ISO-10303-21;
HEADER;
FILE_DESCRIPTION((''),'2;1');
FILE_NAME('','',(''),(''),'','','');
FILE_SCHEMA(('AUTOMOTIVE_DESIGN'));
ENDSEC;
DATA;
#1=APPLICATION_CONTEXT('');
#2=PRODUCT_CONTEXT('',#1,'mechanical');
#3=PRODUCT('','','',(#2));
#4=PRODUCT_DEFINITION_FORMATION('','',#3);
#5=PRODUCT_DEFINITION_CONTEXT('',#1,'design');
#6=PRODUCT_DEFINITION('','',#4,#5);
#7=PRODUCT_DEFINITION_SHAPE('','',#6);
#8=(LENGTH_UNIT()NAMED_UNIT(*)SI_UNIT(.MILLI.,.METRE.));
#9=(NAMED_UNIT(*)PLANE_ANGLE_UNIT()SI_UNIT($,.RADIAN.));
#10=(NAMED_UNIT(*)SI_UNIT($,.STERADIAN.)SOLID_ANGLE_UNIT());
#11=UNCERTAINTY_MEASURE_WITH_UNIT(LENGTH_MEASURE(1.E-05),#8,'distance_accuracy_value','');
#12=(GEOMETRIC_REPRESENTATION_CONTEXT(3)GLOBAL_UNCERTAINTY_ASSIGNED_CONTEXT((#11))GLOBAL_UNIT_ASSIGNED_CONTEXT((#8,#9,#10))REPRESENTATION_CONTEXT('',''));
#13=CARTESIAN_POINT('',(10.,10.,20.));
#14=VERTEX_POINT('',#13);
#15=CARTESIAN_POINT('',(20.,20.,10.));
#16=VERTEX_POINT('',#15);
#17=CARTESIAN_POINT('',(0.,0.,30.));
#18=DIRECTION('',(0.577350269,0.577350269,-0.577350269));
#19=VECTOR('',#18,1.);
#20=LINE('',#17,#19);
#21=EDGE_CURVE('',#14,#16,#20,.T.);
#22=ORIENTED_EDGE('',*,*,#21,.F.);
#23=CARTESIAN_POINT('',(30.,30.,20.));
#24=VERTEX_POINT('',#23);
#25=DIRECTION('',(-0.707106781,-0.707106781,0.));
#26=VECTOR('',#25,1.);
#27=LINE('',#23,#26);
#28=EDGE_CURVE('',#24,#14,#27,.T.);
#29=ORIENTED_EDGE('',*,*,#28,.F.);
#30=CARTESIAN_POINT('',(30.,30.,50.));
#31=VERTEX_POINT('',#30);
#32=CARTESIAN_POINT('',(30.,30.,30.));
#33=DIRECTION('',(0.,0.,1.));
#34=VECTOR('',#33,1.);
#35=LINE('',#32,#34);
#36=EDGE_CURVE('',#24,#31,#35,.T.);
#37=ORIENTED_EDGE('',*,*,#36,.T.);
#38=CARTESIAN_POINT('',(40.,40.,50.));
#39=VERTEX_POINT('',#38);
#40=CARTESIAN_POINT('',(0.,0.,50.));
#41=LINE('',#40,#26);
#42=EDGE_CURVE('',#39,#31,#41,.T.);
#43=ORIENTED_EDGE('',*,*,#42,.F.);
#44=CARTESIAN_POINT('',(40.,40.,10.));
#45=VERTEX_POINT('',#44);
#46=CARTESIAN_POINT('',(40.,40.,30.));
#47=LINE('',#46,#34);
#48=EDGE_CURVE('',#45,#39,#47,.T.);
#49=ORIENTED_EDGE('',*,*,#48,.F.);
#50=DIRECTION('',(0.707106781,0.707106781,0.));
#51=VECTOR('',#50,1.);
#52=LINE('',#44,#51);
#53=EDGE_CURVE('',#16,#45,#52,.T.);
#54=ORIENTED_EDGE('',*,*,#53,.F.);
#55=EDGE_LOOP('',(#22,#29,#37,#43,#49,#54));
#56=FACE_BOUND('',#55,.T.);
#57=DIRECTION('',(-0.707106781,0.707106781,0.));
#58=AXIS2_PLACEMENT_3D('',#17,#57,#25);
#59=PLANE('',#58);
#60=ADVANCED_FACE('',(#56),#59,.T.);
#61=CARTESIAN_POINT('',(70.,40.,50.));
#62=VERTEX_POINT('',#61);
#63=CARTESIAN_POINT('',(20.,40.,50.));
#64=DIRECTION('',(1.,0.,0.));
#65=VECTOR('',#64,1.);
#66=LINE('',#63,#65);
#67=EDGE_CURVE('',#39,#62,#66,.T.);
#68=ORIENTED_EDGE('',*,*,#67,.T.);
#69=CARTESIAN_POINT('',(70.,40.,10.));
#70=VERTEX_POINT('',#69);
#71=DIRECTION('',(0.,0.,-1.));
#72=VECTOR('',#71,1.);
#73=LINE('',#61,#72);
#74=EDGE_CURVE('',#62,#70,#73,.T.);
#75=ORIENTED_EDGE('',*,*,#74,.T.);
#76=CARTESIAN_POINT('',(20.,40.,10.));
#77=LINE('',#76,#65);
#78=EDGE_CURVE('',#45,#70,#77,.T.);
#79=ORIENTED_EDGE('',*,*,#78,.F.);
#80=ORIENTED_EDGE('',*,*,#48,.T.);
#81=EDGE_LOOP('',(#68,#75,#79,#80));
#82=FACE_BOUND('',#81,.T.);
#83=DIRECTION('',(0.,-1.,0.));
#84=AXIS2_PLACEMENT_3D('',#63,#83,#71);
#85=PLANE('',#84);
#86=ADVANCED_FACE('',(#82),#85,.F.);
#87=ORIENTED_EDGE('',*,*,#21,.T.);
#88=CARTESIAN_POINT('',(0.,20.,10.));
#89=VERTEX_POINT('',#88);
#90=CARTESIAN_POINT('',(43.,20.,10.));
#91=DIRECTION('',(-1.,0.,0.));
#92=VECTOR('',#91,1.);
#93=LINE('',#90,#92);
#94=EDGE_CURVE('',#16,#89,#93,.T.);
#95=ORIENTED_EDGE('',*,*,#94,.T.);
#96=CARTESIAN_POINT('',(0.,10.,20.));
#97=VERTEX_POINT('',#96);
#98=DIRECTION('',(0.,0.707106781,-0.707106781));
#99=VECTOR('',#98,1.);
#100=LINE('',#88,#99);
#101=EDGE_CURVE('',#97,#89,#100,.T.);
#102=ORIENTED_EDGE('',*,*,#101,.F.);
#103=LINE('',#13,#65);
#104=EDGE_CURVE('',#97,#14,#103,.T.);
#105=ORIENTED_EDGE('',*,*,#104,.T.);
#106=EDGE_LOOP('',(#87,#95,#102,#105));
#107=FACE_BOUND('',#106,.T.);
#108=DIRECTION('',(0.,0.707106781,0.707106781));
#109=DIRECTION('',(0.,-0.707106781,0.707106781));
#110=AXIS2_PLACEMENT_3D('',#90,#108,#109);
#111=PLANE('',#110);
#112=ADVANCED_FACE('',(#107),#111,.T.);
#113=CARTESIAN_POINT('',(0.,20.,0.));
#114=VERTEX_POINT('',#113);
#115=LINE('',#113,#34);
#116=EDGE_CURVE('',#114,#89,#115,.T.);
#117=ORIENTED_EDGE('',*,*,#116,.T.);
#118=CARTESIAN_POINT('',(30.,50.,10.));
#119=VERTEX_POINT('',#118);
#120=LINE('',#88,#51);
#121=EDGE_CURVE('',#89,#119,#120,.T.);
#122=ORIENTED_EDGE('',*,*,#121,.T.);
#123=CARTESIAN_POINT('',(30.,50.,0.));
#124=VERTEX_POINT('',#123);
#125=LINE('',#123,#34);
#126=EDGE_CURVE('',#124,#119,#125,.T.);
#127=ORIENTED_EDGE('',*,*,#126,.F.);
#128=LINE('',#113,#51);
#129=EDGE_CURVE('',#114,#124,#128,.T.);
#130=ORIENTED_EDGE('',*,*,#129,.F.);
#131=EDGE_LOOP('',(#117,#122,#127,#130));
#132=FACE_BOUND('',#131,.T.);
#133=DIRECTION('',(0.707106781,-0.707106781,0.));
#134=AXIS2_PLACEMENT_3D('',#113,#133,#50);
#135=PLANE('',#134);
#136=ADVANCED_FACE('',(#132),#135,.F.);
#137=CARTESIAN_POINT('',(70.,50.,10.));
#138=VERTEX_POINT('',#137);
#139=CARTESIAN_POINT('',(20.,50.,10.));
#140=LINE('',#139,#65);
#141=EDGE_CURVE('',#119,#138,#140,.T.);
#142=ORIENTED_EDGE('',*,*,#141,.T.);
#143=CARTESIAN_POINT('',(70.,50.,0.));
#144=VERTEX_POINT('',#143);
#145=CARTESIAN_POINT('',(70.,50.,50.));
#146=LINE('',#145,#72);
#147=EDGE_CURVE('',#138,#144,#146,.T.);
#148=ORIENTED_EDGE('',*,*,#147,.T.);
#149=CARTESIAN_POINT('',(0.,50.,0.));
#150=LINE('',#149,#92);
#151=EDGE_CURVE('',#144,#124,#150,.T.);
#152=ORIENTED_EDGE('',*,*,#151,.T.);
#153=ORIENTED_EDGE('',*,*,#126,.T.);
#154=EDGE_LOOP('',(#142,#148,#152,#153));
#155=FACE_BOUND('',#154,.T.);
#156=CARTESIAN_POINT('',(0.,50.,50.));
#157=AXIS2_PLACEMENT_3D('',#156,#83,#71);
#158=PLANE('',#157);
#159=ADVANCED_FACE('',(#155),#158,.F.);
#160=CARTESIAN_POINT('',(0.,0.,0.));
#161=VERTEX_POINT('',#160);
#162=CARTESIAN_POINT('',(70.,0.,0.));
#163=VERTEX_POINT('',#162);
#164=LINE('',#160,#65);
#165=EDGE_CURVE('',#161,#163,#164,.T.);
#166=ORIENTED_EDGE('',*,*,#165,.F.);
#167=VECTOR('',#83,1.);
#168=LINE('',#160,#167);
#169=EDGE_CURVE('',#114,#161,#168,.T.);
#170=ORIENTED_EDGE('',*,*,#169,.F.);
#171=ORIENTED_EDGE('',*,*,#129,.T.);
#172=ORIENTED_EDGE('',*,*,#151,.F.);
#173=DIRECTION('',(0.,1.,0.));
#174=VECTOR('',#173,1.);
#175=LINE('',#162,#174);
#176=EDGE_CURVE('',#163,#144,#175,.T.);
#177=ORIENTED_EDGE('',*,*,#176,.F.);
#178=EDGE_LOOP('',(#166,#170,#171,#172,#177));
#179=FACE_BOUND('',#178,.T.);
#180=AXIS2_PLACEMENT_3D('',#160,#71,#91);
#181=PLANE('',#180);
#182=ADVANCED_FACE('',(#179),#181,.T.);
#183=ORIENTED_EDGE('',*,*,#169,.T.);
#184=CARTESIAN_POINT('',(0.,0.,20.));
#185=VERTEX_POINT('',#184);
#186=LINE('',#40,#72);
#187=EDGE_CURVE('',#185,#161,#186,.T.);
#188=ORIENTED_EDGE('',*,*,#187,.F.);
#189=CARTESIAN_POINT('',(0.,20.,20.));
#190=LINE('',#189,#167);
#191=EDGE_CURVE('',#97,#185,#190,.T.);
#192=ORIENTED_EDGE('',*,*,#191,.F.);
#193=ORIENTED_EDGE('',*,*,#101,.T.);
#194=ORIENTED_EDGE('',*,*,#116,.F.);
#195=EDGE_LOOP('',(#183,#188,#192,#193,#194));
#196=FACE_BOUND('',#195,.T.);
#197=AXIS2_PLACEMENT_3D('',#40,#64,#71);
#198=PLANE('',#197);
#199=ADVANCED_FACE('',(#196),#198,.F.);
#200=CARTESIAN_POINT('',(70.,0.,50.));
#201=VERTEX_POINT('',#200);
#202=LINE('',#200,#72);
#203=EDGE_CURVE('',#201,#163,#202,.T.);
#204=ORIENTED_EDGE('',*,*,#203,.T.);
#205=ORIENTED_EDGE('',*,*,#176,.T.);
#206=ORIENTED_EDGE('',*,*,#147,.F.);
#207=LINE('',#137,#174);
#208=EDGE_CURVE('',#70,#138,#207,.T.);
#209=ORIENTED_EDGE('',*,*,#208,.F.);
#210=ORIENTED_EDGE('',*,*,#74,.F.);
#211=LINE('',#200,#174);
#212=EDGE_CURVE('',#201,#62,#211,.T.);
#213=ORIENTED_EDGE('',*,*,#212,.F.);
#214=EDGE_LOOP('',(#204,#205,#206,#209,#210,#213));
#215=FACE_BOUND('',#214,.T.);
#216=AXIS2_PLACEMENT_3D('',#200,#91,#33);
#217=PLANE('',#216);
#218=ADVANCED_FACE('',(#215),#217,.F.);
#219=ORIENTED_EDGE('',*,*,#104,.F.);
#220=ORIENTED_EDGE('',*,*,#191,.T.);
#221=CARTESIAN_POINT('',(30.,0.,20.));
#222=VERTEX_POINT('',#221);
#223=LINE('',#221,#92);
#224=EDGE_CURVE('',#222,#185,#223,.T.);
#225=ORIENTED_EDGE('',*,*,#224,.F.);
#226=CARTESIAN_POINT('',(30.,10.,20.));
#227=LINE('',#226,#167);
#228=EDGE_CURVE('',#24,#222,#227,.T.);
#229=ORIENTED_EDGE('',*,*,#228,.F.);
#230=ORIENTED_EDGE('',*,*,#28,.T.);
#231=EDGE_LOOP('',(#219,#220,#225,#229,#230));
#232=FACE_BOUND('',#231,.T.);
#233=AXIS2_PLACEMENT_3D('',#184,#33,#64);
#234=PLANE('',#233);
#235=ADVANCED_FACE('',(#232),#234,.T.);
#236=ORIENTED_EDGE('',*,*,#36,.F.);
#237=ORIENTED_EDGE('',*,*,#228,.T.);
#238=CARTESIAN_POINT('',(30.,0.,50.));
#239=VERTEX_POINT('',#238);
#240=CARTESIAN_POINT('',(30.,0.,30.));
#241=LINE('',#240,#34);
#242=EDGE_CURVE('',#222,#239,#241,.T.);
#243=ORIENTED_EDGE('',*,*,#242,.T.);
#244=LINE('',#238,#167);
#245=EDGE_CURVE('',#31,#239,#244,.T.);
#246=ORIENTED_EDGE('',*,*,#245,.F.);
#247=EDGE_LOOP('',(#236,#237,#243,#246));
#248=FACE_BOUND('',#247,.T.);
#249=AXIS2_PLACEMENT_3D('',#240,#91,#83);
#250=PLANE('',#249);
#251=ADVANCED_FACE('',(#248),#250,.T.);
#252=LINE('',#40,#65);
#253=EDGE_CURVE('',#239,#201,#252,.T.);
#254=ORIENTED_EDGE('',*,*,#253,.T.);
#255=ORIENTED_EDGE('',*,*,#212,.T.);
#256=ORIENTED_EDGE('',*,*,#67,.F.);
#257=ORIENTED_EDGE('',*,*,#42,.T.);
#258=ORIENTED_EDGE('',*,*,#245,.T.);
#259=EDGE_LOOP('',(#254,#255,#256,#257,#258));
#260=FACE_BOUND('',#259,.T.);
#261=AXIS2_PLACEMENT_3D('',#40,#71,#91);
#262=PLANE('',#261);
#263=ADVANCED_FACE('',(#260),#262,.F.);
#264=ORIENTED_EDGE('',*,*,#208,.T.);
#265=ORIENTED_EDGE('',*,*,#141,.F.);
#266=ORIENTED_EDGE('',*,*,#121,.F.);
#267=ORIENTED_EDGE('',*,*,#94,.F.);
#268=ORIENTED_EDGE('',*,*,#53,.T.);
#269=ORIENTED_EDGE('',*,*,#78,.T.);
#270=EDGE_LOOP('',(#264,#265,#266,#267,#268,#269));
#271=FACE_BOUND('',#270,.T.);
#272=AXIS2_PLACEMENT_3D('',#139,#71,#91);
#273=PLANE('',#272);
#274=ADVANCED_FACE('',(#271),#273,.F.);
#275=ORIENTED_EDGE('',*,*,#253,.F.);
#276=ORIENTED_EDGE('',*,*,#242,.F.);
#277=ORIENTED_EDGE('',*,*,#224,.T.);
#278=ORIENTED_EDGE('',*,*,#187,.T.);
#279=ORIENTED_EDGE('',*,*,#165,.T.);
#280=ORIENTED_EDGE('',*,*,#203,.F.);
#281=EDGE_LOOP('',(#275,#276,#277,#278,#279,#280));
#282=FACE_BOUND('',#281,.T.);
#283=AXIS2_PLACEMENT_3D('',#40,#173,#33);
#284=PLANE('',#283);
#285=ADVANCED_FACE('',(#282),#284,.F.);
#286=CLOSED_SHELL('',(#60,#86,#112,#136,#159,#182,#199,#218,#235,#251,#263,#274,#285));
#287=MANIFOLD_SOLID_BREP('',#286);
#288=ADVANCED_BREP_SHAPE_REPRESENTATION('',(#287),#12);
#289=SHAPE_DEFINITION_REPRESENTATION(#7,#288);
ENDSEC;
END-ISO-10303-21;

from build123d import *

# Parameters (mm, degrees)
SKETCH1_W           = 70
SKETCH1_H           = 50
BOSS_EXTRUDE1_DEPTH = 50
CUT_EXTRUDE1_DEPTH  = 50
SKETCH3_W           = 40
SKETCH3_H           = 10
CUT_EXTRUDE2_DEPTH  = 50
CUT_EXTRUDE3_DEPTH  = 20
CUT_EXTRUDE4_DEPTH  = 10
CUT_EXTRUDE6_DEPTH  = 30
CUT_EXTRUDE7_DEPTH  = 30
CUT_EXTRUDE9_DEPTH  = 10
BOSS_EXTRUDE2_DEPTH = 43
CUT_EXTRUDE10_DEPTH = 10


with BuildPart() as part:
    # Sketch1 → Boss-Extrude1 (new body)
    with BuildSketch(Plane.XY):
        with Locations((35, 25)):
            Rectangle(SKETCH1_W, SKETCH1_H)
    extrude(amount=BOSS_EXTRUDE1_DEPTH)

    # Sketch2 → Cut-Extrude1 (cut)
    with BuildSketch(Plane.XY.offset(50)):
        Polygon((0, 20), (30, 50), (0, 50), align=None)
    extrude(amount=-CUT_EXTRUDE1_DEPTH, mode=Mode.SUBTRACT)

    # Sketch3 → Cut-Extrude2 (cut)
    with BuildSketch(Plane(origin=(70, 0, 0), x_dir=(0, 0, -1), z_dir=(1, 0, 0))):
        with Locations((-30, 45)):
            Rectangle(SKETCH3_W, SKETCH3_H)
    extrude(amount=-CUT_EXTRUDE2_DEPTH, mode=Mode.SUBTRACT)

    # Sketch4 → Cut-Extrude3 (cut)
    with BuildSketch(Plane.XY.offset(50)):
        Polygon((30, 30), (40, 40), (20, 40), (0, 20), (0, 0), (30, 0), align=None)
    extrude(amount=-CUT_EXTRUDE3_DEPTH, mode=Mode.SUBTRACT)

    # Sketch5 → Cut-Extrude4 (cut)
    with BuildSketch(Plane.XY.offset(30)):
        Polygon((0, 10), (10, 10), (40, 40), (20, 40), (0, 20), align=None)
    extrude(amount=-CUT_EXTRUDE4_DEPTH, mode=Mode.SUBTRACT)

    # Sketch6 → Cut-Extrude6 (cut)
    with BuildSketch(Plane.ZY):
        Polygon((30, 10), (20, 0), (30, 0), align=None)
    extrude(amount=-CUT_EXTRUDE6_DEPTH, mode=Mode.SUBTRACT)

    # Sketch7 → Cut-Extrude7 (cut)
    with BuildSketch(Plane.ZY):
        Polygon((30, 10), (20, 10), (20, 0), align=None)
    extrude(amount=-CUT_EXTRUDE7_DEPTH, mode=Mode.SUBTRACT)

    # Sketch9 → Cut-Extrude9 (cut)
    with BuildSketch(Plane.XY.offset(20)):
        Polygon((20, 40), (40, 40), (10, 10), (0, 10), (0, 20), align=None)
    extrude(amount=-CUT_EXTRUDE9_DEPTH, mode=Mode.SUBTRACT)

    # Sketch10 → Boss-Extrude2 (add)
    with BuildSketch(Plane.ZY):
        Polygon((10, 20), (20, 10), (10, 10), align=None)
    extrude(amount=-BOSS_EXTRUDE2_DEPTH)

    # Sketch13 → Cut-Extrude10 (cut)
    with BuildSketch(Plane.XY.offset(30)):
        Polygon((10, 10), (30, 10), (30, 30), align=None)
    extrude(amount=-CUT_EXTRUDE10_DEPTH, mode=Mode.SUBTRACT)


solid = part.part
